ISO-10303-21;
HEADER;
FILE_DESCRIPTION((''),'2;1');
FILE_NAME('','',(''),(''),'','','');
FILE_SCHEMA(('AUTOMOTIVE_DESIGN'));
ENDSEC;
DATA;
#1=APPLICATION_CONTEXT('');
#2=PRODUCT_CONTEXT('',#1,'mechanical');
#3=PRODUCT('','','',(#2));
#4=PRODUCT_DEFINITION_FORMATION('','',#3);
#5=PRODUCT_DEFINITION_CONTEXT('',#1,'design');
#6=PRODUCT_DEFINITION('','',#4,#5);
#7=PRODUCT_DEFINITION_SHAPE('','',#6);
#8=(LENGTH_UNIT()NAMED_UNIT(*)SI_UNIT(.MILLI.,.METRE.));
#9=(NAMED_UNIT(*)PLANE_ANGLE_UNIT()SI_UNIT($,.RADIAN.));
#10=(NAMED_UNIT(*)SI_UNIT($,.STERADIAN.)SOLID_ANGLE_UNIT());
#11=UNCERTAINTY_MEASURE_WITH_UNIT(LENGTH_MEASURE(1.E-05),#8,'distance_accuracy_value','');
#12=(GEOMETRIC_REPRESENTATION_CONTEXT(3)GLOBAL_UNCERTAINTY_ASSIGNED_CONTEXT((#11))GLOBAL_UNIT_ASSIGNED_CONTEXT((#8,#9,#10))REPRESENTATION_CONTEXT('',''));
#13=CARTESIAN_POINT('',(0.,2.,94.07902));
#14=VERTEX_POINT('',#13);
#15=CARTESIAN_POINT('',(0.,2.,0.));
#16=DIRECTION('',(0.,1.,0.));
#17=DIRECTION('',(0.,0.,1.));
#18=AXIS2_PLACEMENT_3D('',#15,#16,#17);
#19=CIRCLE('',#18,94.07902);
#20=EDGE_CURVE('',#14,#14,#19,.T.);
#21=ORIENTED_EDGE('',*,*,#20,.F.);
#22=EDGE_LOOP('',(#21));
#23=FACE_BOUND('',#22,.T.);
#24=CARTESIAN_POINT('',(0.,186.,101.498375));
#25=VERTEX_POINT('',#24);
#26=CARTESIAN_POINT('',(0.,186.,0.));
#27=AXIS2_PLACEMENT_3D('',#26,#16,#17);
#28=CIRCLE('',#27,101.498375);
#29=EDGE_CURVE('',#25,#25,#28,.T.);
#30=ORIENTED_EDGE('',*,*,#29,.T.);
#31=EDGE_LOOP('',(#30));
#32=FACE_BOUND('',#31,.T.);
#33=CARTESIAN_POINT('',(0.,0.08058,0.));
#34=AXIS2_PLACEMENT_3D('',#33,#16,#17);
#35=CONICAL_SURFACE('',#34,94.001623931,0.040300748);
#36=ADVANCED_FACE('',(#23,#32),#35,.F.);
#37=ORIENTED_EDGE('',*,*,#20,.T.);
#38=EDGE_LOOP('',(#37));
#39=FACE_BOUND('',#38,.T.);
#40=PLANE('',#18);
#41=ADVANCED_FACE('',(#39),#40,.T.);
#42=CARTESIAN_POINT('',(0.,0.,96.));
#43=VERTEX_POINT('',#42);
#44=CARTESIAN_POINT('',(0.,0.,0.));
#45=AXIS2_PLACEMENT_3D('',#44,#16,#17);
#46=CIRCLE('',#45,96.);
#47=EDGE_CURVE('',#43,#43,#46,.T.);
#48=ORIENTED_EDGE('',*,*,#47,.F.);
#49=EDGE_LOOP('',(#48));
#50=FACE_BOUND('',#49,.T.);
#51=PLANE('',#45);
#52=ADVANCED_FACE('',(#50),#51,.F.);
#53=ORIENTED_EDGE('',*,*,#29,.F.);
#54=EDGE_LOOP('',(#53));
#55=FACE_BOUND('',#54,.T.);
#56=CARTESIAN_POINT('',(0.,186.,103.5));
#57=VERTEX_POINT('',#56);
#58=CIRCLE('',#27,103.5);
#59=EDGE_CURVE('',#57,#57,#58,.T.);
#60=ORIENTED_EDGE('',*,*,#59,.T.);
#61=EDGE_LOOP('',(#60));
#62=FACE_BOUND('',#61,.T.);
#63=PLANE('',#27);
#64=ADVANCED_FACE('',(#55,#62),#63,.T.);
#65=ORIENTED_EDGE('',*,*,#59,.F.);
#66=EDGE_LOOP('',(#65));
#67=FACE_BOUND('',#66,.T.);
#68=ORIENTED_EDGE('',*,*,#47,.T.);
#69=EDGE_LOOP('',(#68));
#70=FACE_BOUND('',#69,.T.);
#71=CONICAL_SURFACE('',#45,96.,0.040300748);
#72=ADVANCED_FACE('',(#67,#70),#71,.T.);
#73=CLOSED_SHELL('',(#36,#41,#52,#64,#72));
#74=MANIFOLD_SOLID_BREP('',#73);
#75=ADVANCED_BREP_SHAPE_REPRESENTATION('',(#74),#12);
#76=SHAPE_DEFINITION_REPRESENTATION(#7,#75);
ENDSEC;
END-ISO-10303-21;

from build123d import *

# Parameters (mm, degrees)
SKETCH1_R = 96
SKETCH2_R = 103.5
SHELL1_T  = -2


with BuildPart() as part:
    # Sketch1 → Loft1 section 0
    with BuildSketch(Plane(origin=(0, 0, 0), x_dir=(1, 0, 0), z_dir=(0, 1, 0))):
        Circle(SKETCH1_R)
    # Sketch2 → Loft1 section 1
    with BuildSketch(Plane(origin=(0, 186, 0), x_dir=(1, 0, 0), z_dir=(0, 1, 0))):
        Circle(SKETCH2_R)
    loft()

    # Shell1
    shell1_openings = [part.faces().sort_by_distance(p)[0] for p in [
        (0, 186, 0),
    ]]
    offset(amount=SHELL1_T, openings=shell1_openings, kind=Kind.INTERSECTION)


solid = part.part
